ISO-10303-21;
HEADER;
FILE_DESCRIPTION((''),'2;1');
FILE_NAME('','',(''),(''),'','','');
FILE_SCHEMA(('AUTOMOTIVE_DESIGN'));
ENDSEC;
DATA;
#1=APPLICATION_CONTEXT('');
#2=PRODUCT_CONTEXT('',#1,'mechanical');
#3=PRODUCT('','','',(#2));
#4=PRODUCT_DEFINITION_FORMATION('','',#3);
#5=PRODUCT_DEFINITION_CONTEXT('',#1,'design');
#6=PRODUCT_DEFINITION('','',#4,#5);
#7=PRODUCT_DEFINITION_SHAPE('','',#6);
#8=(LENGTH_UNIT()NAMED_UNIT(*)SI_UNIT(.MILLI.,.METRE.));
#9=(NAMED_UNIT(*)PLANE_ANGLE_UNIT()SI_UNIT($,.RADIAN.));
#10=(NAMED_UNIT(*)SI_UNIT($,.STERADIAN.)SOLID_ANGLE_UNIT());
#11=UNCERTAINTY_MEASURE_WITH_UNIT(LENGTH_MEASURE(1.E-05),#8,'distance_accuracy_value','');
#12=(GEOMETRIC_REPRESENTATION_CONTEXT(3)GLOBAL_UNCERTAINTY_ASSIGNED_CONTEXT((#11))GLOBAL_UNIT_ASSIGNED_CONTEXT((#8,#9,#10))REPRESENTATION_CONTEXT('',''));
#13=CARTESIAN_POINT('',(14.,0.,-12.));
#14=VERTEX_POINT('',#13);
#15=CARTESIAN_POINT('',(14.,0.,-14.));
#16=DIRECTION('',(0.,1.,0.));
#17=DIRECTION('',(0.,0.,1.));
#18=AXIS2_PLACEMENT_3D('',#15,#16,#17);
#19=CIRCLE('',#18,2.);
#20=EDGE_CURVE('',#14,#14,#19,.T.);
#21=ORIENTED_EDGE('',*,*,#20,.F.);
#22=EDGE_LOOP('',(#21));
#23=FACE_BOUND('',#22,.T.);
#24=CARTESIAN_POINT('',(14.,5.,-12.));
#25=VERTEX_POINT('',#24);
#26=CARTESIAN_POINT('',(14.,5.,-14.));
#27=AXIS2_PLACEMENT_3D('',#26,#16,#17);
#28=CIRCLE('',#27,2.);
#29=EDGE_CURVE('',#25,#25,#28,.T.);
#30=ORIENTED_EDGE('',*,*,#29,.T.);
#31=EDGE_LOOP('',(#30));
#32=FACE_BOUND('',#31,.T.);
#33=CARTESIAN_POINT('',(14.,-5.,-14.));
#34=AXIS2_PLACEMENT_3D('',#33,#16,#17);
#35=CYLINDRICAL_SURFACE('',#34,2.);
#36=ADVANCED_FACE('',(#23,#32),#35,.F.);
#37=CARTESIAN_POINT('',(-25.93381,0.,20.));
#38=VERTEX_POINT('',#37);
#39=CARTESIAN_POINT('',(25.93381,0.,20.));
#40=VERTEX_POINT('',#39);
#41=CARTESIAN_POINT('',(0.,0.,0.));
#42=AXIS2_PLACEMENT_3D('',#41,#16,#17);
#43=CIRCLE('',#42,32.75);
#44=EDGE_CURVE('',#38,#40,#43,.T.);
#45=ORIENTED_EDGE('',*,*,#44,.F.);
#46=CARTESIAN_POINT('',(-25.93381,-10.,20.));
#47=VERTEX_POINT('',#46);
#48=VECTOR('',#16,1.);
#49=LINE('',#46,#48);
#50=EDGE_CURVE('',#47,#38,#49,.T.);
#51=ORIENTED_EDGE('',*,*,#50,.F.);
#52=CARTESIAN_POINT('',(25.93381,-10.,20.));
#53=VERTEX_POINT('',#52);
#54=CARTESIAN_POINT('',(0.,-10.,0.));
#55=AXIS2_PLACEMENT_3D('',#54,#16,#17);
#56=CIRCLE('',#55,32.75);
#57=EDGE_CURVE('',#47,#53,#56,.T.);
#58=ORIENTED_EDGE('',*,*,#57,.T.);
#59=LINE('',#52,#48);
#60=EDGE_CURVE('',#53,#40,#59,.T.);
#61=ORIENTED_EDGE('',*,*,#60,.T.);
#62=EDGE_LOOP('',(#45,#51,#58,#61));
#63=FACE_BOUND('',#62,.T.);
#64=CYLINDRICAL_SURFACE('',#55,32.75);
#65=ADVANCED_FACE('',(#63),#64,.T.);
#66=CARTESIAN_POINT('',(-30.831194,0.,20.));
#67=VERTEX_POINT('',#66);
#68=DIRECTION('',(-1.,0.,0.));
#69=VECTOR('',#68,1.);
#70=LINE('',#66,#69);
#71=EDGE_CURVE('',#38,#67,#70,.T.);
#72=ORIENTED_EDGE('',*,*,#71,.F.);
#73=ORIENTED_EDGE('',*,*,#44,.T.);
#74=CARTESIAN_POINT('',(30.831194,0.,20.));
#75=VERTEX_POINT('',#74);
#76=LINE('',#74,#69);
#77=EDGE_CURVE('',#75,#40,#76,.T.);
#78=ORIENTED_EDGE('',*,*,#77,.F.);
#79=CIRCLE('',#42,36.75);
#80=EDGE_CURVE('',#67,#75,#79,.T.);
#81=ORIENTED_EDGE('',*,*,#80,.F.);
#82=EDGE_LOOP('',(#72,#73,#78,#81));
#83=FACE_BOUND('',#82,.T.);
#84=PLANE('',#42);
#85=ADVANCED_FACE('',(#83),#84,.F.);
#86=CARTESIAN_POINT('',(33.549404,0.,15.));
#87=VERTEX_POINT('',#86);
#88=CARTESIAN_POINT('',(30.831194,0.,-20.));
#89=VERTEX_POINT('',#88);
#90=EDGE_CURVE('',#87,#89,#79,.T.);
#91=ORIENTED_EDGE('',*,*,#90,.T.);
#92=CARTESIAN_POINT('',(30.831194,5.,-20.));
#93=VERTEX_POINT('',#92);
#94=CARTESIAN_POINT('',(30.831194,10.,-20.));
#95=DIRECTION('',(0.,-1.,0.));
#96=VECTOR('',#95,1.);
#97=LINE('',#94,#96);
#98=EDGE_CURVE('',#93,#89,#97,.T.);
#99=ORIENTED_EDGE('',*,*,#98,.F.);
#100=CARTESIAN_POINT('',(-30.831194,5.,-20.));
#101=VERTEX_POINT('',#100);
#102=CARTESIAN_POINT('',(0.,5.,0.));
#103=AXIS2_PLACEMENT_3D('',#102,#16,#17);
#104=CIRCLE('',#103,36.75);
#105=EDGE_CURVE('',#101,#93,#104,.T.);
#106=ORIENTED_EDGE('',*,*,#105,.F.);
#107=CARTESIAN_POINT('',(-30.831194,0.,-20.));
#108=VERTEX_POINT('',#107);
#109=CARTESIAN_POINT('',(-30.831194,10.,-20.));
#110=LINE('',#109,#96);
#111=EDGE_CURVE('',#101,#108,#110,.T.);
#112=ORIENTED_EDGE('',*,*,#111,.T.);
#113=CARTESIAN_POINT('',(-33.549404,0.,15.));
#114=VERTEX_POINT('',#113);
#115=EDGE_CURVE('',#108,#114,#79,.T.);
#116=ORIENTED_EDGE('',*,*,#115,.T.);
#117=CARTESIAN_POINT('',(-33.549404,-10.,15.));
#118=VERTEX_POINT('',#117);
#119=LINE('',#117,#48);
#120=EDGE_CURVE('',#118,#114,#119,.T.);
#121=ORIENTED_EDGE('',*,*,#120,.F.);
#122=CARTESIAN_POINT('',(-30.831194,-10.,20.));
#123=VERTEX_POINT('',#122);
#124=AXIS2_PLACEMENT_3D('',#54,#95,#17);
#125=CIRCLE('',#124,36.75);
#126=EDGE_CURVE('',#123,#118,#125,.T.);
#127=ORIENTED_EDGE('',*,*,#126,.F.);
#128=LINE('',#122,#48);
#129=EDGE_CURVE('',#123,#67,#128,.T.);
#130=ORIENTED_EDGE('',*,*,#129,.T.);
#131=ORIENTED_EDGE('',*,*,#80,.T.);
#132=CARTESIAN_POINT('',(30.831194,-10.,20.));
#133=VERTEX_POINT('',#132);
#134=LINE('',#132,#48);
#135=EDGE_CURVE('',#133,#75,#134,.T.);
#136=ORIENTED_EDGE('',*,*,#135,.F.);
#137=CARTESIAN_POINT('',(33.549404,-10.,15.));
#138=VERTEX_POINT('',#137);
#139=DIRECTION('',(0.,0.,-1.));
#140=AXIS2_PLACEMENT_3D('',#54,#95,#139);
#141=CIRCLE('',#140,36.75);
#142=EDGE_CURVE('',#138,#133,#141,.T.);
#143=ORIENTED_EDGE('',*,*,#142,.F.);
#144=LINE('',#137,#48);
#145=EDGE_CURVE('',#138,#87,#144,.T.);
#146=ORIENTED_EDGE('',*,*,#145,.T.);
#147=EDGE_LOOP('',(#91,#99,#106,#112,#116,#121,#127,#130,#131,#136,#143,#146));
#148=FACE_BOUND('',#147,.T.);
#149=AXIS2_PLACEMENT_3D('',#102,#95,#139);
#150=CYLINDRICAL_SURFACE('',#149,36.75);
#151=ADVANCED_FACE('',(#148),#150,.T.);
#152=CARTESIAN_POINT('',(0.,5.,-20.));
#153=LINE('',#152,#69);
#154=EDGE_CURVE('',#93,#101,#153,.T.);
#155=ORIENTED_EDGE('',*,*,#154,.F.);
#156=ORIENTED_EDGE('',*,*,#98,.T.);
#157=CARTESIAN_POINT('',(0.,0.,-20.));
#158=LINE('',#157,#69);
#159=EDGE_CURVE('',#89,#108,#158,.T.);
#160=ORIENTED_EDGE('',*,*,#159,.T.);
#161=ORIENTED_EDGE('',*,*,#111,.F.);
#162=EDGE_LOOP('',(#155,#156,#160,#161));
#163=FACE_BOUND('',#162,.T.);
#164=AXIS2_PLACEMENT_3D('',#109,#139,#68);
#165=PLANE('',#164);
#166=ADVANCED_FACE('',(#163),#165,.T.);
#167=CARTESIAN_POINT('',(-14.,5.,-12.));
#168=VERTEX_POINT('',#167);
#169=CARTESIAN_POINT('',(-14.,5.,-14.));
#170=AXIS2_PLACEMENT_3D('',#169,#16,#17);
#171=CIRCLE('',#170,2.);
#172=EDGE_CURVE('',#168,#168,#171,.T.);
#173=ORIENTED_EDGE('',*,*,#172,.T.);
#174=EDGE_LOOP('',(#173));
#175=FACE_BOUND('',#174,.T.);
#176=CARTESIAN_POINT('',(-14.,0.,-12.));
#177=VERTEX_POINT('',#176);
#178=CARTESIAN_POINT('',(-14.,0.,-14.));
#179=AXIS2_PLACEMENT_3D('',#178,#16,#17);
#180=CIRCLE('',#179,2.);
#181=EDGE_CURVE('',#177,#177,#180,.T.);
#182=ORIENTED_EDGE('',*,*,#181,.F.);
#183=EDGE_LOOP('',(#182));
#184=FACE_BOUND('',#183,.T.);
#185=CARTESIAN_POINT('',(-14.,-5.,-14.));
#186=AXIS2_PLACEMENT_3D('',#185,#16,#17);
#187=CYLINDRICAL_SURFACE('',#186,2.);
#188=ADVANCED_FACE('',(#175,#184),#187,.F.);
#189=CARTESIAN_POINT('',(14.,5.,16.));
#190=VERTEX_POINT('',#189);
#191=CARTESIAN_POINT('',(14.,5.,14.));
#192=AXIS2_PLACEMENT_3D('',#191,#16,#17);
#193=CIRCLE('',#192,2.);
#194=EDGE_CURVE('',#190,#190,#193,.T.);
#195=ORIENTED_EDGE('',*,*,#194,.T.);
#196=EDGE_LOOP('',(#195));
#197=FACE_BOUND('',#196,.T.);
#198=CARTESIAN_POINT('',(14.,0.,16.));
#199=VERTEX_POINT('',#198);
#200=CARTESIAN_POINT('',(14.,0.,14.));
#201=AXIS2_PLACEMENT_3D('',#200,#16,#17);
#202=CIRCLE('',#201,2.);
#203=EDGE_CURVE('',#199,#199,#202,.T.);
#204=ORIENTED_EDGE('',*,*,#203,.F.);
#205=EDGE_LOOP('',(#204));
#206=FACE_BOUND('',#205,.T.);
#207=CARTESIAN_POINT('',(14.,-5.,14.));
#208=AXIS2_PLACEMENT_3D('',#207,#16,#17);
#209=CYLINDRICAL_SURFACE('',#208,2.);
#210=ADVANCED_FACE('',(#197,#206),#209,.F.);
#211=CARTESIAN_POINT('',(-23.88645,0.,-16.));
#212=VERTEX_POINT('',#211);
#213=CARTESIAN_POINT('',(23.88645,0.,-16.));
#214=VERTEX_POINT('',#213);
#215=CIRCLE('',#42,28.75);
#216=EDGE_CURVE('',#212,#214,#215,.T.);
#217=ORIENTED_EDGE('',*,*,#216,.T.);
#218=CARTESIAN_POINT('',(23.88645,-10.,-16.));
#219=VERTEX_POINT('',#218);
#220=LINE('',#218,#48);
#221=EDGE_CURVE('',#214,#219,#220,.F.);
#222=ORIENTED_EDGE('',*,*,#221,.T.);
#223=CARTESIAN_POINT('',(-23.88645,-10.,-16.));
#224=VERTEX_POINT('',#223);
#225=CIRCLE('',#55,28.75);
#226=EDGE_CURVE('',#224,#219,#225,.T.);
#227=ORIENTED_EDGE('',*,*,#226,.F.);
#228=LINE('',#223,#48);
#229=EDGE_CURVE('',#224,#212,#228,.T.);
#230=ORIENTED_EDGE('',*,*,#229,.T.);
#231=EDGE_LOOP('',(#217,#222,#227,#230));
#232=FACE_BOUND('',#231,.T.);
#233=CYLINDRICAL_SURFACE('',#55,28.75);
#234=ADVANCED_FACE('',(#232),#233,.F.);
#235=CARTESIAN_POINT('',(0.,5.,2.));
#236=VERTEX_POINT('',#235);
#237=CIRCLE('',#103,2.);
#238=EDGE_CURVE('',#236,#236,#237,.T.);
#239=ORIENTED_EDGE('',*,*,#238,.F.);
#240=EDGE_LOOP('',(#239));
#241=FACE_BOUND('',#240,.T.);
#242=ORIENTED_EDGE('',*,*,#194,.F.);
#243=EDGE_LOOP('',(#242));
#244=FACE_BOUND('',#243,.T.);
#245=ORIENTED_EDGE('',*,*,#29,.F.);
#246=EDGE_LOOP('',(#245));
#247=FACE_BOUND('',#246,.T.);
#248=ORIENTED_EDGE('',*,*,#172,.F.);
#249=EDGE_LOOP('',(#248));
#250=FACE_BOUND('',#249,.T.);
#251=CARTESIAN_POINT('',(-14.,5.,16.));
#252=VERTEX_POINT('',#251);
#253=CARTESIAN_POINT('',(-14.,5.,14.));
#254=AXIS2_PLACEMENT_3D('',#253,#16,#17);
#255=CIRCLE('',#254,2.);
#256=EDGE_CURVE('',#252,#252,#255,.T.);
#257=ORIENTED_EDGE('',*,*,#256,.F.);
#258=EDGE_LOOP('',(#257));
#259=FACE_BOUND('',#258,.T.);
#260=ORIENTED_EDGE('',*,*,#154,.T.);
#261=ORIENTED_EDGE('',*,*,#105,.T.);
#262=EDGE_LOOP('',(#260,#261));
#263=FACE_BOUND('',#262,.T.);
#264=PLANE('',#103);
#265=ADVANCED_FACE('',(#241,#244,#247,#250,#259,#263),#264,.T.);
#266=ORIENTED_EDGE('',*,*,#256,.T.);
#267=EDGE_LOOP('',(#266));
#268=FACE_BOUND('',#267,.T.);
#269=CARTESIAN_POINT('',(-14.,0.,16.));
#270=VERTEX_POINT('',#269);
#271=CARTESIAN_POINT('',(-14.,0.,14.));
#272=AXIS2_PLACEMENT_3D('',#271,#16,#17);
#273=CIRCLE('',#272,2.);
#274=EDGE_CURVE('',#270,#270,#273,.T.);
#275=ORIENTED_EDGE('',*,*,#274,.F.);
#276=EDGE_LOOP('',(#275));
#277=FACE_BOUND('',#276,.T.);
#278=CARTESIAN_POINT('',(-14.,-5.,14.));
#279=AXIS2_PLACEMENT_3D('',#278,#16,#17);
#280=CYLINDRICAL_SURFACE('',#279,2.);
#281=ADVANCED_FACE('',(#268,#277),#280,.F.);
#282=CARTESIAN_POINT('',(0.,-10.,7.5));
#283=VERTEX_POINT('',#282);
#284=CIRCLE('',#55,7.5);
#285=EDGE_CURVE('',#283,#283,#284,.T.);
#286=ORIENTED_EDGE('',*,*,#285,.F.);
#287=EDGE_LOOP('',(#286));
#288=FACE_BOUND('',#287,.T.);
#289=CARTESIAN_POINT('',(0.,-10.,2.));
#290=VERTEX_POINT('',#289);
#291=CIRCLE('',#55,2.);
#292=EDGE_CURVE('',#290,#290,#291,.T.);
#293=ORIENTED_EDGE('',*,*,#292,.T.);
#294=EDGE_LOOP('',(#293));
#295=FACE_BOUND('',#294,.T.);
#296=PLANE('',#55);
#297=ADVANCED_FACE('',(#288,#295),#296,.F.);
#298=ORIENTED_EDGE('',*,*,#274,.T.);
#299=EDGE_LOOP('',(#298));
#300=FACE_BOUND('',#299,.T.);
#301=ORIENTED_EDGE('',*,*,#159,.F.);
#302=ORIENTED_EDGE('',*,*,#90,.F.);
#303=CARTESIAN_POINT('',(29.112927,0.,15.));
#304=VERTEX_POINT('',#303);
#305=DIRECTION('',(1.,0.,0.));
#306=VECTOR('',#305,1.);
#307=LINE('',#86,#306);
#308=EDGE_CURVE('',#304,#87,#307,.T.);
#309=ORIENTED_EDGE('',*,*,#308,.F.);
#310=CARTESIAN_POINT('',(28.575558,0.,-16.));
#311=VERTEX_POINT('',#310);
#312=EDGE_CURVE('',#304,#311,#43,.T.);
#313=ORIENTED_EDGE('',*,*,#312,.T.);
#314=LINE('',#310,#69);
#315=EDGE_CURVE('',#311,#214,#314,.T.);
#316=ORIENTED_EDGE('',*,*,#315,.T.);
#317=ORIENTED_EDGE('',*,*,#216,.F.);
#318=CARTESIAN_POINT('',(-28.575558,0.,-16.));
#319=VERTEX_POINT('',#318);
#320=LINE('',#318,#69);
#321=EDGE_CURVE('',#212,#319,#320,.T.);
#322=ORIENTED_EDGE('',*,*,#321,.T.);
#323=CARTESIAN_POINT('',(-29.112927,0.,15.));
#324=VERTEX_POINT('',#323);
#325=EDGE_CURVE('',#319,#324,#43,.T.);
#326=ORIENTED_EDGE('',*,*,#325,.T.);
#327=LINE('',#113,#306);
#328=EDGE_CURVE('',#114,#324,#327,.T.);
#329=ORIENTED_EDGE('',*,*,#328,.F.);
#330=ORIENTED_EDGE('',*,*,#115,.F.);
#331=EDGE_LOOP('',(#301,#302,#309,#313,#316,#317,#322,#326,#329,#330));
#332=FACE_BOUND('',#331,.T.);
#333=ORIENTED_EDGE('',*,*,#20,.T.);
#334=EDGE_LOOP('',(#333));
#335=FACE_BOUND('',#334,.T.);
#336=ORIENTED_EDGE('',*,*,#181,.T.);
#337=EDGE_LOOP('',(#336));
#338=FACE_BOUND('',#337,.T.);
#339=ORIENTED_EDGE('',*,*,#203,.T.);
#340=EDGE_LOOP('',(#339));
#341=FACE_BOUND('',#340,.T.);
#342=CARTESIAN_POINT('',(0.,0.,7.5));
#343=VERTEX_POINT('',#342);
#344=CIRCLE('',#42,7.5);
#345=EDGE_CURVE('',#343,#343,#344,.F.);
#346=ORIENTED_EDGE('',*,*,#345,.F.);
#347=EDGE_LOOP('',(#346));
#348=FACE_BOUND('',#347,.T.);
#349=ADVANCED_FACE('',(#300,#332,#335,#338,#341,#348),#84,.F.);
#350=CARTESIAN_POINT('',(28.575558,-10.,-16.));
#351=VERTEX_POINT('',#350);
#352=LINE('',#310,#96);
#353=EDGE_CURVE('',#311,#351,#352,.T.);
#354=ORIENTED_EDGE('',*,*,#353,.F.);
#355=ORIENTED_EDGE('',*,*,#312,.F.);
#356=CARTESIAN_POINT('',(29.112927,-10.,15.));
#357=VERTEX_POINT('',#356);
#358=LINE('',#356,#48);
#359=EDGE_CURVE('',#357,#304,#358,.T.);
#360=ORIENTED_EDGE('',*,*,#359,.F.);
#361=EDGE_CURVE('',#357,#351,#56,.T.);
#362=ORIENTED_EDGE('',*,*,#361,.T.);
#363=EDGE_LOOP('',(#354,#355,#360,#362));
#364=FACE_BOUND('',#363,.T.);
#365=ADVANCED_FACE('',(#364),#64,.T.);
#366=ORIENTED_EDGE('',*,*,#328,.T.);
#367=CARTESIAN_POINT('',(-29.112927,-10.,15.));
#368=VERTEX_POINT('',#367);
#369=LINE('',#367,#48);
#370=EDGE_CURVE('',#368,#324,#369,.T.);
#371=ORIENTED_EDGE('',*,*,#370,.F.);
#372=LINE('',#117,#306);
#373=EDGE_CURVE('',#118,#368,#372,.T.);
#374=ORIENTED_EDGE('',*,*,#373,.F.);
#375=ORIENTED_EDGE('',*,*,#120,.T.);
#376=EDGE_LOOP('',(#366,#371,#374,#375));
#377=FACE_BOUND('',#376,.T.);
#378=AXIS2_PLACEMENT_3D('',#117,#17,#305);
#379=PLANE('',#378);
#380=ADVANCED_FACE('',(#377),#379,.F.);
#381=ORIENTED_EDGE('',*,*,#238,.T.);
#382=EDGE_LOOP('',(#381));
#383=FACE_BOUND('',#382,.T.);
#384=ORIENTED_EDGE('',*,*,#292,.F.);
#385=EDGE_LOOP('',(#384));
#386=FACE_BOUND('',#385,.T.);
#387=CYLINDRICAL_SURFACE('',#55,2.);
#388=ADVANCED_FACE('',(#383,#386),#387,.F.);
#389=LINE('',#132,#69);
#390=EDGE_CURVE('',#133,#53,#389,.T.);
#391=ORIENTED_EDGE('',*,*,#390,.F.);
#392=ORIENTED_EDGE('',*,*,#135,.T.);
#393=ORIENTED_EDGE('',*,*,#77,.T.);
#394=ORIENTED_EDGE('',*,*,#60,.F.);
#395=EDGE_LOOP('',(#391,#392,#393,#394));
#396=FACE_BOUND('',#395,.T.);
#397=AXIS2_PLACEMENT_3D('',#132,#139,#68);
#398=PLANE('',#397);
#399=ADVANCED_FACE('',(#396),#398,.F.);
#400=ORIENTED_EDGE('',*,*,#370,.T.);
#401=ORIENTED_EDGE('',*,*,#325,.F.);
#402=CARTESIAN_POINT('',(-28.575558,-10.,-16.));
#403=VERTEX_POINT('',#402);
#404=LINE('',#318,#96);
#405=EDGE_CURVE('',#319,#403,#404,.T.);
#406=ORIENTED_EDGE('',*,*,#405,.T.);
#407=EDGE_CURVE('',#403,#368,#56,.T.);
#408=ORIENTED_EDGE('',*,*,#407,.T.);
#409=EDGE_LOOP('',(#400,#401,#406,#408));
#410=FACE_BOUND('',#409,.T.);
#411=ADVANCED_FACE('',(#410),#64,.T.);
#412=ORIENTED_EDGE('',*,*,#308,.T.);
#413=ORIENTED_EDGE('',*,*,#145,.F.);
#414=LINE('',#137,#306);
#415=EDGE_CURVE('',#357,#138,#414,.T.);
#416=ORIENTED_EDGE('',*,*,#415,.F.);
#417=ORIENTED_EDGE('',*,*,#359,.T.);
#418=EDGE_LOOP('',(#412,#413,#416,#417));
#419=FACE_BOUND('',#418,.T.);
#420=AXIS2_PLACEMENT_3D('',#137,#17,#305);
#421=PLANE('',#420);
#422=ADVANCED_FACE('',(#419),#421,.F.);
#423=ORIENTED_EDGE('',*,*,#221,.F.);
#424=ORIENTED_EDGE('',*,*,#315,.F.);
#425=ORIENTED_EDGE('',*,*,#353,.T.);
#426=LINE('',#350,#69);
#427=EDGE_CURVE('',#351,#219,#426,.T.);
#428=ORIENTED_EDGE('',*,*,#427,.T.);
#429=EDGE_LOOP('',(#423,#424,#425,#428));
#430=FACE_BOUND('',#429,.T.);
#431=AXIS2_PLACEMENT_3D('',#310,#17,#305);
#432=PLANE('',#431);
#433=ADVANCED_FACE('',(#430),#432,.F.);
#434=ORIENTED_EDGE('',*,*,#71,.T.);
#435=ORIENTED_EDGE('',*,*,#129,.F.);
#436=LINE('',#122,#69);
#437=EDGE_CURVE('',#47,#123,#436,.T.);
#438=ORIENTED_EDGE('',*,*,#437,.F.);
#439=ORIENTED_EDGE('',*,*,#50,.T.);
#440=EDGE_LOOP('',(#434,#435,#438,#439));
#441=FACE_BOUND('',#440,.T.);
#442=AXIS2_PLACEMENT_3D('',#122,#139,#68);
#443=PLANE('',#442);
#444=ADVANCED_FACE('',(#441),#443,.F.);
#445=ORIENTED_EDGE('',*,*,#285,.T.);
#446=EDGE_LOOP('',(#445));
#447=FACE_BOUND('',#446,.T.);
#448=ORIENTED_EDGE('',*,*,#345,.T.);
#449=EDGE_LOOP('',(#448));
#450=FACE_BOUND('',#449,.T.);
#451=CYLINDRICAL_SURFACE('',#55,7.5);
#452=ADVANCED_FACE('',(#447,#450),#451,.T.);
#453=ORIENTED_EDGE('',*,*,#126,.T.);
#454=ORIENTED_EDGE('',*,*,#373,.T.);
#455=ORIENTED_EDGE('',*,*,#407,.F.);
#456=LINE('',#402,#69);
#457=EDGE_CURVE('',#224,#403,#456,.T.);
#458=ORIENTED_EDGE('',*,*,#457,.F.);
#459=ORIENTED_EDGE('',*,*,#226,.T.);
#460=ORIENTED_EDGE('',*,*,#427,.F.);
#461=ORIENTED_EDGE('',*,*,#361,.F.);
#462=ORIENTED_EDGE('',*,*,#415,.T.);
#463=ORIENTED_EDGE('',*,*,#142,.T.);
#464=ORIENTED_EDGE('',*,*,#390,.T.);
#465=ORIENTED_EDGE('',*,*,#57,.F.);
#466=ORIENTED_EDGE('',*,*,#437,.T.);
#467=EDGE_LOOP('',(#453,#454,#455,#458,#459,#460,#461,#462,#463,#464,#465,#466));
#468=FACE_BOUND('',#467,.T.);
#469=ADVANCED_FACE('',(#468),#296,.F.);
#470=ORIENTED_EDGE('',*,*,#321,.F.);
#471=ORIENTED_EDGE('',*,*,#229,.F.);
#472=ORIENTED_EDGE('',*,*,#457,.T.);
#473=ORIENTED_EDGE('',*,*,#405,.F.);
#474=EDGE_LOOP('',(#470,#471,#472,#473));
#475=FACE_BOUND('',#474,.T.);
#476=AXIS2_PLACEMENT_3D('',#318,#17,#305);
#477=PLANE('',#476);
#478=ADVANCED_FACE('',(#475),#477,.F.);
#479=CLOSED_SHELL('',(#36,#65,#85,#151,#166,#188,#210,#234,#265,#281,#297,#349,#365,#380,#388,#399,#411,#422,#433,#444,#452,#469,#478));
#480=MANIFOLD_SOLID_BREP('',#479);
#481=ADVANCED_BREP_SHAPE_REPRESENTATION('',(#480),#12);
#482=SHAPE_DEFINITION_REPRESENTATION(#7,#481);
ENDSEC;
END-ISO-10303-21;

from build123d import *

# Parameters (mm, degrees)
CYLINDER_DEPTH      = 5
CYLINDER_DEPTH_BACK = 10
SKETCH_1_R          = 7.5
SKETCH_1_R_2        = 2
SKETCH_2_R          = 36.75
SKETCH_2_R_2        = 2.5
BASE_HORIZONT_DEPTH = 5
SKETCH_3_R          = 32.75
SKETCH_3_R_2        = 28.75
EDGE_2_DEPTH        = 15
CUTOFF_DEPTH        = 10
CUTOFF_DEPTH_BACK   = 10
SKETCH_8_W          = 61.662387238
SKETCH_8_H          = 16.75
SKETCH_12_W         = 8
SKETCH_12_H         = 4
CUT_EXTRUDE_1_DEPTH = 10
EXTRUDE_2_DEPTH     = 10
SKETCH_14_R         = 2
CUT_EXTRUDE_3_DEPTH = 10


with BuildPart() as part:
    # Эскиз1 → cylinder (new, two sides: drawn at the far end of the back side and taken through both)
    with BuildSketch(Plane(origin=(0, 0, 0), x_dir=(1, 0, 0), z_dir=(0, 1, 0)).offset(-CYLINDER_DEPTH_BACK)):
        with Locations(Location((0, 0, 0), (0, 0, 270))):
            Circle(SKETCH_1_R)
        with Locations(Location((0, 0, 0), (0, 0, 270))):
            Circle(SKETCH_1_R_2, mode=Mode.SUBTRACT)
    extrude(amount=CYLINDER_DEPTH + CYLINDER_DEPTH_BACK)

    # Эскиз2 → base horizont (add)
    with BuildSketch(Plane(origin=(0, 0, 0), x_dir=(1, 0, 0), z_dir=(0, 1, 0))):
        with Locations(Location((0, 0, 0), (0, 0, 270))):
            Circle(SKETCH_2_R)
        Circle(SKETCH_2_R_2, mode=Mode.SUBTRACT)
    extrude(amount=BASE_HORIZONT_DEPTH)

    # Эскиз3 → edge 2 (add)
    with BuildSketch(Plane(origin=(0, 5, 0), x_dir=(1, 0, 0), z_dir=(0, 1, 0))):
        with Locations(Location((0, 0, 0), (0, 0, 270))):
            Circle(SKETCH_3_R)
        with Locations(Location((0, 0, 0), (0, 0, 270))):
            Circle(SKETCH_3_R_2, mode=Mode.SUBTRACT)
    extrude(amount=-EDGE_2_DEPTH)

    # Эскиз8 → cutoff (cut, two sides: drawn at the far end of the back side and taken through both)
    with BuildSketch(Plane(origin=(0, 0, 0), x_dir=(1, 0, 0), z_dir=(0, 1, 0)).offset(-CUTOFF_DEPTH_BACK)):
        with Locations((0, 28.375)):
            Rectangle(SKETCH_8_W, SKETCH_8_H)
    extrude(amount=CUTOFF_DEPTH + CUTOFF_DEPTH_BACK, mode=Mode.SUBTRACT)

    # Эскиз12 → Вытянуть1 (cut)
    with BuildSketch(Plane.XZ.offset(10)):
        with Locations((-24.575557737, -18)):
            Rectangle(SKETCH_12_W, SKETCH_12_H)
        with Locations((24.575557737, -18)):
            Rectangle(SKETCH_12_W, SKETCH_12_H)
    extrude(amount=-CUT_EXTRUDE_1_DEPTH, mode=Mode.SUBTRACT)

    # Эскиз13 → Вытянуть2 (add)
    with BuildSketch(Plane.XZ):
        with BuildLine():
            Line((-30.831193619, 20), (-25.933809978, 20))
            ThreePointArc((-25.933809978, 20), (-27.636674985, 17.572043016), (-29.112926682, 15))
            Line((-29.112926682, 15), (-33.54940387, 15))
            ThreePointArc((-33.54940387, 15), (-32.287231737, 17.552696851), (-30.831193619, 20))
        make_face()
        with BuildLine():
            Line((33.54940387, 15), (29.112926682, 15))
            ThreePointArc((29.112926682, 15), (27.636674985, 17.572043016), (25.933809978, 20))
            Line((25.933809978, 20), (30.831193619, 20))
            ThreePointArc((30.831193619, 20), (32.287231737, 17.552696851), (33.54940387, 15))
        make_face()
    extrude(amount=EXTRUDE_2_DEPTH)

    # Эскиз14 → Вытянуть3 (cut)
    with BuildSketch(Plane(origin=(0, 5, 0), x_dir=(1, 0, 0), z_dir=(0, 1, 0))):
        with Locations(Location((14, -14, 0), (0, 0, 270))):
            Circle(SKETCH_14_R)
        with Locations(Location((-14, -14, 0), (0, 0, 270))):
            Circle(SKETCH_14_R)
        with Locations(Location((-14, 14, 0), (0, 0, 270))):
            Circle(SKETCH_14_R)
        with Locations(Location((14, 14, 0), (0, 0, 270))):
            Circle(SKETCH_14_R)
    extrude(amount=-CUT_EXTRUDE_3_DEPTH, mode=Mode.SUBTRACT)


solid = part.part
